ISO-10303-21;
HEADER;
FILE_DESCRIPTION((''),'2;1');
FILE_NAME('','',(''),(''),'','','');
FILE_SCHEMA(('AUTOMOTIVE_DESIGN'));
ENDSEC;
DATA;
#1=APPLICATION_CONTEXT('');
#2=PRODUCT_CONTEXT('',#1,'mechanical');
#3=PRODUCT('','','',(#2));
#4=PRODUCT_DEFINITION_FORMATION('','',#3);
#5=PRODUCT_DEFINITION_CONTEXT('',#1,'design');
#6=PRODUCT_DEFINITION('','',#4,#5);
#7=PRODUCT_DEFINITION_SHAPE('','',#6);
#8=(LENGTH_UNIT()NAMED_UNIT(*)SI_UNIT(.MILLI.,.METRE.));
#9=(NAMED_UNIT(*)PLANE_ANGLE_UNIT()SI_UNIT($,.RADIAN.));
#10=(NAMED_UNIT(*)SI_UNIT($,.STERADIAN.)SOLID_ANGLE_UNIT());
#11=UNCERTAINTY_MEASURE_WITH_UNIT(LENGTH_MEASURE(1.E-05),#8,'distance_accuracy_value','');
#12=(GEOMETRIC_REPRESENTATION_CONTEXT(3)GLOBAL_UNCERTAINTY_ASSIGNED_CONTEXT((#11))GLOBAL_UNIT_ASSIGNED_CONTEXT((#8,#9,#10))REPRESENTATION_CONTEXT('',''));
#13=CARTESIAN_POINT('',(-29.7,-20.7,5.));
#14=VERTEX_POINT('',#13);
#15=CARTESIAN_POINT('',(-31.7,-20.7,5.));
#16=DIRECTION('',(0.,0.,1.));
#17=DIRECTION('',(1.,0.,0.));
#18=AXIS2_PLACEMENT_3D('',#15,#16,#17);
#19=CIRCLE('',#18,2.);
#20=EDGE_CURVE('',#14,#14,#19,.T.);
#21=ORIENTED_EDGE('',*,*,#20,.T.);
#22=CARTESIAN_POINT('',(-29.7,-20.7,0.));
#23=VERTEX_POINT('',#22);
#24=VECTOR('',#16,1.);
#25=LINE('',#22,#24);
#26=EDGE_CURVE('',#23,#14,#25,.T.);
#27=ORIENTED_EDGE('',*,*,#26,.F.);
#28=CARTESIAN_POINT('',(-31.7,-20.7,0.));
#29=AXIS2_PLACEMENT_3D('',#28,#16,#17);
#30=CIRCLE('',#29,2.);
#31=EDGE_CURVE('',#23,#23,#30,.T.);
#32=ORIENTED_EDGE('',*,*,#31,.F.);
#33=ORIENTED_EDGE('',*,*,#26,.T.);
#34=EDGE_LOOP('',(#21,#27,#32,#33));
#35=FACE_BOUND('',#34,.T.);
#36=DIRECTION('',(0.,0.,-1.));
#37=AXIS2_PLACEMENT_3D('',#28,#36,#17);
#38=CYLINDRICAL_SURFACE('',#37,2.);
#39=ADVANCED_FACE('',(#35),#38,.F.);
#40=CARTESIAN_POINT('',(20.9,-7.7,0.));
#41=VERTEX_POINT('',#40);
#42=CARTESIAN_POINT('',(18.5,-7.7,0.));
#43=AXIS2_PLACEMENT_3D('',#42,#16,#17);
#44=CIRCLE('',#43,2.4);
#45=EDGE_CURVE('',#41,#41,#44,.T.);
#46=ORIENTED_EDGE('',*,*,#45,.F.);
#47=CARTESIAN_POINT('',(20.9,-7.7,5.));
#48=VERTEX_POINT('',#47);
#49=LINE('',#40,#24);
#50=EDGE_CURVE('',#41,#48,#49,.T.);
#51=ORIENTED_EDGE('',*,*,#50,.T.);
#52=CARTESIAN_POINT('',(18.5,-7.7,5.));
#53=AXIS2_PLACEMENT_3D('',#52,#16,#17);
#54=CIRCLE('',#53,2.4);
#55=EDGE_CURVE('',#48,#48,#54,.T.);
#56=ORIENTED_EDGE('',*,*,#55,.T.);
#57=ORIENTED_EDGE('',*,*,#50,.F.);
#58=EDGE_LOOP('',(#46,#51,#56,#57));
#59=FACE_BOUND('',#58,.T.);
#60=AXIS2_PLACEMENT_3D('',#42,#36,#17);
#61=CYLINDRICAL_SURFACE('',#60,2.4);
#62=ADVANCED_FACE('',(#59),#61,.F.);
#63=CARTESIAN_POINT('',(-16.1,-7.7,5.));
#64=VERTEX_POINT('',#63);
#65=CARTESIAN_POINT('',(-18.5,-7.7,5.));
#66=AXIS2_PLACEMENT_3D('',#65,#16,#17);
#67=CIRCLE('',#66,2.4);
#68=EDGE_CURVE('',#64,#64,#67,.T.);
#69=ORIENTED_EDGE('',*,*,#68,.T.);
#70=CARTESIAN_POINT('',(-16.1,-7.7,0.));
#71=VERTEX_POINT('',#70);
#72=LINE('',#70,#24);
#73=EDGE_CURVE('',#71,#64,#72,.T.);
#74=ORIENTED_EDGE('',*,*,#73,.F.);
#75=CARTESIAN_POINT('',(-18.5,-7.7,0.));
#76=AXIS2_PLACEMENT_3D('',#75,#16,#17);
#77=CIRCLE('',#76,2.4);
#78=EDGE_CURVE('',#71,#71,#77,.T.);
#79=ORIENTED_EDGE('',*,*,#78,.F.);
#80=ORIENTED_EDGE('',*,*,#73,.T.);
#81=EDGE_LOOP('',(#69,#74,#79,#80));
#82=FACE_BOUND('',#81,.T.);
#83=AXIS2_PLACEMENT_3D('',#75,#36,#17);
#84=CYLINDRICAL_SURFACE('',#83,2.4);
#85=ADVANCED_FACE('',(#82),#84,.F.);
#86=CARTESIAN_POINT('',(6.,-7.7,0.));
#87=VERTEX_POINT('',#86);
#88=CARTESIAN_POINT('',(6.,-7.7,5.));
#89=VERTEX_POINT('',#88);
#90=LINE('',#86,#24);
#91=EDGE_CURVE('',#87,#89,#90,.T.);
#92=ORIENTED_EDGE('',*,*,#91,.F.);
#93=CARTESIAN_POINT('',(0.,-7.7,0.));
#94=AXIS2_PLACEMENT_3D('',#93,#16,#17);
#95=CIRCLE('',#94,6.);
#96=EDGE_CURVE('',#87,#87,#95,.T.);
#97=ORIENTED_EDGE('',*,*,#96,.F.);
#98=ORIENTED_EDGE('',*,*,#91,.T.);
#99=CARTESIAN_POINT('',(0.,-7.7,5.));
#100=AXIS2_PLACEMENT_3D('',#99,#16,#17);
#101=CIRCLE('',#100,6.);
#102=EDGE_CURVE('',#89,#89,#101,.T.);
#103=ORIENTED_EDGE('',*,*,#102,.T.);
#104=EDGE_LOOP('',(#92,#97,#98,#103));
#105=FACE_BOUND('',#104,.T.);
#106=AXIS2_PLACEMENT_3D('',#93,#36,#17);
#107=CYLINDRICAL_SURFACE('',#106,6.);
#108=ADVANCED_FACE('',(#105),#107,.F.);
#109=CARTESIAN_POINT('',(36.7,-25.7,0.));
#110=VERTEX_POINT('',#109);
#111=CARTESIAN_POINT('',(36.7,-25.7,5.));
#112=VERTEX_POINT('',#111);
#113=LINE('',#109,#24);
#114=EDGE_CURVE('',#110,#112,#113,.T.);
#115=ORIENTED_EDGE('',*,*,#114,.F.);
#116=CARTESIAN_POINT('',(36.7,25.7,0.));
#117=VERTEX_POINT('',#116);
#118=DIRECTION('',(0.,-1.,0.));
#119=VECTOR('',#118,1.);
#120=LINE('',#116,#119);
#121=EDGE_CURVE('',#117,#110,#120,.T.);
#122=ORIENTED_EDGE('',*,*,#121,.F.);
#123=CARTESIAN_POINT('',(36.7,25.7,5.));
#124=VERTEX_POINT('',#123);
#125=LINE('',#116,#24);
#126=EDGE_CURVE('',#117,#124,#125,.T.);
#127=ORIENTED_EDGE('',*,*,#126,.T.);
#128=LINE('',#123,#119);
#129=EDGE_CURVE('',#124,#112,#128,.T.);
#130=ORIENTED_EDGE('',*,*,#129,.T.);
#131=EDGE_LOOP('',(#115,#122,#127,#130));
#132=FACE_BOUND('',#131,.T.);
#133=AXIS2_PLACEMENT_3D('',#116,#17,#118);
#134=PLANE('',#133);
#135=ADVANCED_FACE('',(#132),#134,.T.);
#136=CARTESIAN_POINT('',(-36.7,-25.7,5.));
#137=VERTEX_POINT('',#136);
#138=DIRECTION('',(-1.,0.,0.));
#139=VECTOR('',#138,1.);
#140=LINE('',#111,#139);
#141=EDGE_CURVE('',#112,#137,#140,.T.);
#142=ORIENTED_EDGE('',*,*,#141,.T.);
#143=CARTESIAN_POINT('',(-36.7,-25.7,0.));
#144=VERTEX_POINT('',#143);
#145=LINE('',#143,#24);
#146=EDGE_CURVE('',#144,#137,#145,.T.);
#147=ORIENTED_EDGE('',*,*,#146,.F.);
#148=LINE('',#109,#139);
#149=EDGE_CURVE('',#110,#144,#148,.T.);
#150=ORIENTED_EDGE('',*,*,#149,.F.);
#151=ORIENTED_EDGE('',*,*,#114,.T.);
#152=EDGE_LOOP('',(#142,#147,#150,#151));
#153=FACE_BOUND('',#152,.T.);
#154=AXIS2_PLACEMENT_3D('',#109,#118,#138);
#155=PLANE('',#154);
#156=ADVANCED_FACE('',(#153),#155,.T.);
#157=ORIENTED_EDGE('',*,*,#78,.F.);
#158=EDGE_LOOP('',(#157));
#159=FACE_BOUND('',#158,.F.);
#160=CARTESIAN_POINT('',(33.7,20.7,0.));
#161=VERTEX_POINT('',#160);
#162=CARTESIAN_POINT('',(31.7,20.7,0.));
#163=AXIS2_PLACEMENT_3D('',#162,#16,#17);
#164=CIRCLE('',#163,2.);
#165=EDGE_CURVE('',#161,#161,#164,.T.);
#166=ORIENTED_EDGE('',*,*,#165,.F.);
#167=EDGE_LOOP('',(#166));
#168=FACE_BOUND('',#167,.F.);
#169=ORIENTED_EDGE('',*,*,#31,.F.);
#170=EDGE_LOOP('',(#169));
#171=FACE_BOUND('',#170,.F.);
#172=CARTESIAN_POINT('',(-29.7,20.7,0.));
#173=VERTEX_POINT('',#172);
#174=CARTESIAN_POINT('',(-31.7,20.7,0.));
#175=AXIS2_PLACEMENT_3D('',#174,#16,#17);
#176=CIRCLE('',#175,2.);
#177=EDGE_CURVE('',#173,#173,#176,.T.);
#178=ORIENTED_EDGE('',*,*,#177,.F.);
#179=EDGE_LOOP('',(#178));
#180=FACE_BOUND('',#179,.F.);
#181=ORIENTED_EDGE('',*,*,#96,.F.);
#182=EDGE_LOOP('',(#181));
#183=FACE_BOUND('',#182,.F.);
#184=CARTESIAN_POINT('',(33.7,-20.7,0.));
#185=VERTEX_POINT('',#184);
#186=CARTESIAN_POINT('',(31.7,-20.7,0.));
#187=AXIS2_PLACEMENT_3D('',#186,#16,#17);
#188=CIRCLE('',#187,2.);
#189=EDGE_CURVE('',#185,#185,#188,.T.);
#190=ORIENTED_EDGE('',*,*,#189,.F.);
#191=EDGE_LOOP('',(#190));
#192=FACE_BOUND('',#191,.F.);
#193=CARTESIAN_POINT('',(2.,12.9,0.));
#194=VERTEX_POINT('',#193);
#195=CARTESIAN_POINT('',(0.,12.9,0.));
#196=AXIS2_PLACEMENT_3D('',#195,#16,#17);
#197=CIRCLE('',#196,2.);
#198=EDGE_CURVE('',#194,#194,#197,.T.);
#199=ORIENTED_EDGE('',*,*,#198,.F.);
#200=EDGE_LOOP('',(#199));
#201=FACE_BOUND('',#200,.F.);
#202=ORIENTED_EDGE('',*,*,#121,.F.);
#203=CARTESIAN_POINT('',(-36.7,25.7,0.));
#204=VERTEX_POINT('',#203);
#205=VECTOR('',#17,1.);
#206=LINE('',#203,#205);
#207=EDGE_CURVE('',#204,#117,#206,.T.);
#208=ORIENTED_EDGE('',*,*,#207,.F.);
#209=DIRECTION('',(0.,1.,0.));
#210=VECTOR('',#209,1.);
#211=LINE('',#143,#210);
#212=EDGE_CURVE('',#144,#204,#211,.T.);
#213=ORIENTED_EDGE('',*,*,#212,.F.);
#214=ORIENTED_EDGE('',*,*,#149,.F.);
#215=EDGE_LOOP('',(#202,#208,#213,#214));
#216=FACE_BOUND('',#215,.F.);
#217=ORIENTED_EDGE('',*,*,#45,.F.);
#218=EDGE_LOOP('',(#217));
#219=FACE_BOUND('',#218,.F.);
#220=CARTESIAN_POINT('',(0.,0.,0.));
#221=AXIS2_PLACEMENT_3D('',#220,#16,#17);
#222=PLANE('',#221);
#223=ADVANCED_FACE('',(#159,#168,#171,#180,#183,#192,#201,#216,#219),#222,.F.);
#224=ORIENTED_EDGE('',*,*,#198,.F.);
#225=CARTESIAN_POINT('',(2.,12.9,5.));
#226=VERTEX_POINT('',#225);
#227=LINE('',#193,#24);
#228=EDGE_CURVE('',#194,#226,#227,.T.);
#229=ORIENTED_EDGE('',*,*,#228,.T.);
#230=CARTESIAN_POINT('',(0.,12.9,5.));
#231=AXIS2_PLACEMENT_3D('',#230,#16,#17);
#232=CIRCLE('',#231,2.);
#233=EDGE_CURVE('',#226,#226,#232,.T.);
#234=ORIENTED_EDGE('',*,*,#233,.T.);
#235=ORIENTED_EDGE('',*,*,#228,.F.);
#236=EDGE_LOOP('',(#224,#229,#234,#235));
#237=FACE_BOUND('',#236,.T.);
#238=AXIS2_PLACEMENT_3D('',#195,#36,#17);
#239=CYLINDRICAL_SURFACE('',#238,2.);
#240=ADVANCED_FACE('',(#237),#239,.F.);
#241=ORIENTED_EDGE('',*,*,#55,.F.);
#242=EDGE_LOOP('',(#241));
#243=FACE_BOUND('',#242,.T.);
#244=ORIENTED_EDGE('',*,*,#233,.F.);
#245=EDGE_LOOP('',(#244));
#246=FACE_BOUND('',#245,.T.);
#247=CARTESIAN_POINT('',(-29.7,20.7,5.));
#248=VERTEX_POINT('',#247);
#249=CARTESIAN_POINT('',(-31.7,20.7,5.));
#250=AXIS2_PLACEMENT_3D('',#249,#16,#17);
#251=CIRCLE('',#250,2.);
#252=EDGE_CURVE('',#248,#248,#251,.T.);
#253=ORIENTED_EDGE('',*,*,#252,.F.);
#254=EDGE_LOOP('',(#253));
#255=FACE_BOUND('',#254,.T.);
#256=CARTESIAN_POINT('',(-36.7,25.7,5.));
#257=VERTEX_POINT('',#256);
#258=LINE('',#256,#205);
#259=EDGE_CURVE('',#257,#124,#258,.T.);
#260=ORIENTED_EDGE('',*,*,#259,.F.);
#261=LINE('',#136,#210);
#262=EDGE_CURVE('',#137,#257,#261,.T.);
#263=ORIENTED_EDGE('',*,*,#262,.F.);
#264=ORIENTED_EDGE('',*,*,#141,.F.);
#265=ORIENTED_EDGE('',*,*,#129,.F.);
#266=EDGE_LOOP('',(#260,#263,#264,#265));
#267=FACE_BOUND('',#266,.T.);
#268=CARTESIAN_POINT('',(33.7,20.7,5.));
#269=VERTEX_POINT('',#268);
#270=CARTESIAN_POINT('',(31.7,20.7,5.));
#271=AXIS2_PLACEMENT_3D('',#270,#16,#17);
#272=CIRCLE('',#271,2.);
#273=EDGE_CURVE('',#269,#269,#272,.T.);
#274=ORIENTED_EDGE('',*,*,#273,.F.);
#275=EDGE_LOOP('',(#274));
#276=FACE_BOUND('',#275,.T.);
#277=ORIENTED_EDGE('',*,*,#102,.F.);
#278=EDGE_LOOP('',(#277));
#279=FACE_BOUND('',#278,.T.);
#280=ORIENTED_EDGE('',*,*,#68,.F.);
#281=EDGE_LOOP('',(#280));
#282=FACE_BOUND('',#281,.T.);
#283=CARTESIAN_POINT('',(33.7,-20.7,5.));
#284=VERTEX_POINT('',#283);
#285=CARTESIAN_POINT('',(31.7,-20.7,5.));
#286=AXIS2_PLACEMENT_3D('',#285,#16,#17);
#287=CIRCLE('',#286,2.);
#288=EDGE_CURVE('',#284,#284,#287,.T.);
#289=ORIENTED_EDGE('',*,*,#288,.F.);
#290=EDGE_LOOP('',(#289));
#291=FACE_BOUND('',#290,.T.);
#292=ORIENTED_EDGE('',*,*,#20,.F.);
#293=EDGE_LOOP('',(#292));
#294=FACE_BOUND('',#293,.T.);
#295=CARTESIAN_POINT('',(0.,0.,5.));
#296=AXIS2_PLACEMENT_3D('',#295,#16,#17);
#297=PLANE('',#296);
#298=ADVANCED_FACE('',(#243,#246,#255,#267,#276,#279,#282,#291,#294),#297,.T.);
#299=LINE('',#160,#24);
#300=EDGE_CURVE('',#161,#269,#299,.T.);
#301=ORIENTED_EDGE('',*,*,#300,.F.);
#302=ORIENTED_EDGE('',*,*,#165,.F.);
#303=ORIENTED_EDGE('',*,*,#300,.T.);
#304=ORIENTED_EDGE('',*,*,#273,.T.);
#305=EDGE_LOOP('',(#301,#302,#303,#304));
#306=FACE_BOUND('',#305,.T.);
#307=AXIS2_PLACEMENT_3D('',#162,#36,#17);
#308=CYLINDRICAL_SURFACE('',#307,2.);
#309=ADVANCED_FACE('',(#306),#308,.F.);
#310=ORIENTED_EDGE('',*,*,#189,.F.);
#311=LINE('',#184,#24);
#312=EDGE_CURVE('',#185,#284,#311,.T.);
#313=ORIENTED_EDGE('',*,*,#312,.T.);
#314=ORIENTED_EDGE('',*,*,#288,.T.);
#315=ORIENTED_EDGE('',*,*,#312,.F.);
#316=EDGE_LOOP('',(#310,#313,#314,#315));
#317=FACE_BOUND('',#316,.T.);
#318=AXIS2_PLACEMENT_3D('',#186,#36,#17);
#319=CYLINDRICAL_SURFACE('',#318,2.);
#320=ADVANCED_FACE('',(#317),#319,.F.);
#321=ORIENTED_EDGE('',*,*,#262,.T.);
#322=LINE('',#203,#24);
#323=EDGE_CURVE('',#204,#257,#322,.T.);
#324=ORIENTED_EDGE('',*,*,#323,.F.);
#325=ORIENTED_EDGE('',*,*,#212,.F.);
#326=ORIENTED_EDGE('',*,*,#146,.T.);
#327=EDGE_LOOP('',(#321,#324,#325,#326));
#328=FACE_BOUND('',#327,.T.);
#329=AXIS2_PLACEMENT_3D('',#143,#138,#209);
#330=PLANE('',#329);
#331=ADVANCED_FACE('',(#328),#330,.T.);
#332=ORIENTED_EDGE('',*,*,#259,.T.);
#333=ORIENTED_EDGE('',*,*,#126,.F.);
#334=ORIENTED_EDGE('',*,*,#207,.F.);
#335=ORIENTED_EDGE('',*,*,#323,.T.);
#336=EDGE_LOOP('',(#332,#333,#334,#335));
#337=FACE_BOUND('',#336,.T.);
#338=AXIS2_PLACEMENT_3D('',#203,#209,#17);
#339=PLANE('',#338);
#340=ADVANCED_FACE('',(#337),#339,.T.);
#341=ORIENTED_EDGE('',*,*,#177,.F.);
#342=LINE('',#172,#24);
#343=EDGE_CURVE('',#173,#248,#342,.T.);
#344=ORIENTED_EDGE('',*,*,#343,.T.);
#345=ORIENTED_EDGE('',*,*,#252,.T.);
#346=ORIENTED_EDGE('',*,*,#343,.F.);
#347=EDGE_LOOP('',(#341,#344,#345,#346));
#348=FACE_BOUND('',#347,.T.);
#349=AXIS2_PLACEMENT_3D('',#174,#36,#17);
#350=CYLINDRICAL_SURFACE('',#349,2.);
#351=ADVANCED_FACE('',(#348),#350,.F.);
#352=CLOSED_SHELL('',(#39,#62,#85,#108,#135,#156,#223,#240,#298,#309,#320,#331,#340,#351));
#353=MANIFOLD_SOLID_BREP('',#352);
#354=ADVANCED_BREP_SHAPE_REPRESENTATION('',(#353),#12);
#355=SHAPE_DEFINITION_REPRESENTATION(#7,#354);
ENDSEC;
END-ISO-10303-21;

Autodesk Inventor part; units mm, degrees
ref_plane "YZ Plane" through (0, 0, 0) normal (1, 0, 0) x (0, 1, 0)
ref_plane "XZ Plane" through (0, 0, 0) normal (0, 1, 0) x (-1, 0, 0)
ref_plane "XY Plane" through (0, 0, 0) normal (0, 0, 1) x (1, 0, 0)
sketch "Sketch1" plane through (0, 0, 0) normal (0, 0, 1) x (1, 0, 0)
  line L0 (-31.7, -20.7) -> (31.7, -20.7) construction
  line L1 (31.7, -20.7) -> (31.7, 20.7) construction
  line L2 (31.7, 20.7) -> (-31.7, 20.7) construction
  line L3 (-31.7, 20.7) -> (-31.7, -20.7) construction
  line L4 (-31.7, -20.7) -> (31.7, 20.7) construction
  line L5 (31.7, -20.7) -> (-31.7, 20.7) construction
  circle A0 centre (-31.7, 20.7) radius 2
  circle A1 centre (31.7, 20.7) radius 2
  circle A2 centre (31.7, -20.7) radius 2
  circle A3 centre (-31.7, -20.7) radius 2
  circle A4 centre (0, 12.9) radius 2
  circle A5 centre (0, -7.7) radius 6
  circle A6 centre (-18.5, -7.7) radius 2.4
  circle A7 centre (18.5, -7.7) radius 2.4
  line L6 (0, 20.7) -> (0, -20.7) construction
  line L7 (36.7, -25.7) -> (-36.7, -25.7)
  line L8 (-36.7, -25.7) -> (-36.7, 25.7)
  line L9 (-36.7, 25.7) -> (36.7, 25.7)
  line L10 (36.7, 25.7) -> (36.7, -25.7)
  point P0 (0, 0)
  dimension "d0" = 63.4
  dimension "d1" = 41.4
  dimension "d2" = 4
  dimension "d3" = 31.7
  dimension "d4" = 7.8
  dimension "d5" = 31.7
  dimension "d6" = 13
  dimension "d7" = 12
  dimension "d8" = 18.5
  dimension "d9" = 0
  dimension "d10" = 4.8
  dimension "d11" = 5
extrude "Extrusion1" add sketch "Sketch1" along normal blind 5
properties part number "pumpHead"
